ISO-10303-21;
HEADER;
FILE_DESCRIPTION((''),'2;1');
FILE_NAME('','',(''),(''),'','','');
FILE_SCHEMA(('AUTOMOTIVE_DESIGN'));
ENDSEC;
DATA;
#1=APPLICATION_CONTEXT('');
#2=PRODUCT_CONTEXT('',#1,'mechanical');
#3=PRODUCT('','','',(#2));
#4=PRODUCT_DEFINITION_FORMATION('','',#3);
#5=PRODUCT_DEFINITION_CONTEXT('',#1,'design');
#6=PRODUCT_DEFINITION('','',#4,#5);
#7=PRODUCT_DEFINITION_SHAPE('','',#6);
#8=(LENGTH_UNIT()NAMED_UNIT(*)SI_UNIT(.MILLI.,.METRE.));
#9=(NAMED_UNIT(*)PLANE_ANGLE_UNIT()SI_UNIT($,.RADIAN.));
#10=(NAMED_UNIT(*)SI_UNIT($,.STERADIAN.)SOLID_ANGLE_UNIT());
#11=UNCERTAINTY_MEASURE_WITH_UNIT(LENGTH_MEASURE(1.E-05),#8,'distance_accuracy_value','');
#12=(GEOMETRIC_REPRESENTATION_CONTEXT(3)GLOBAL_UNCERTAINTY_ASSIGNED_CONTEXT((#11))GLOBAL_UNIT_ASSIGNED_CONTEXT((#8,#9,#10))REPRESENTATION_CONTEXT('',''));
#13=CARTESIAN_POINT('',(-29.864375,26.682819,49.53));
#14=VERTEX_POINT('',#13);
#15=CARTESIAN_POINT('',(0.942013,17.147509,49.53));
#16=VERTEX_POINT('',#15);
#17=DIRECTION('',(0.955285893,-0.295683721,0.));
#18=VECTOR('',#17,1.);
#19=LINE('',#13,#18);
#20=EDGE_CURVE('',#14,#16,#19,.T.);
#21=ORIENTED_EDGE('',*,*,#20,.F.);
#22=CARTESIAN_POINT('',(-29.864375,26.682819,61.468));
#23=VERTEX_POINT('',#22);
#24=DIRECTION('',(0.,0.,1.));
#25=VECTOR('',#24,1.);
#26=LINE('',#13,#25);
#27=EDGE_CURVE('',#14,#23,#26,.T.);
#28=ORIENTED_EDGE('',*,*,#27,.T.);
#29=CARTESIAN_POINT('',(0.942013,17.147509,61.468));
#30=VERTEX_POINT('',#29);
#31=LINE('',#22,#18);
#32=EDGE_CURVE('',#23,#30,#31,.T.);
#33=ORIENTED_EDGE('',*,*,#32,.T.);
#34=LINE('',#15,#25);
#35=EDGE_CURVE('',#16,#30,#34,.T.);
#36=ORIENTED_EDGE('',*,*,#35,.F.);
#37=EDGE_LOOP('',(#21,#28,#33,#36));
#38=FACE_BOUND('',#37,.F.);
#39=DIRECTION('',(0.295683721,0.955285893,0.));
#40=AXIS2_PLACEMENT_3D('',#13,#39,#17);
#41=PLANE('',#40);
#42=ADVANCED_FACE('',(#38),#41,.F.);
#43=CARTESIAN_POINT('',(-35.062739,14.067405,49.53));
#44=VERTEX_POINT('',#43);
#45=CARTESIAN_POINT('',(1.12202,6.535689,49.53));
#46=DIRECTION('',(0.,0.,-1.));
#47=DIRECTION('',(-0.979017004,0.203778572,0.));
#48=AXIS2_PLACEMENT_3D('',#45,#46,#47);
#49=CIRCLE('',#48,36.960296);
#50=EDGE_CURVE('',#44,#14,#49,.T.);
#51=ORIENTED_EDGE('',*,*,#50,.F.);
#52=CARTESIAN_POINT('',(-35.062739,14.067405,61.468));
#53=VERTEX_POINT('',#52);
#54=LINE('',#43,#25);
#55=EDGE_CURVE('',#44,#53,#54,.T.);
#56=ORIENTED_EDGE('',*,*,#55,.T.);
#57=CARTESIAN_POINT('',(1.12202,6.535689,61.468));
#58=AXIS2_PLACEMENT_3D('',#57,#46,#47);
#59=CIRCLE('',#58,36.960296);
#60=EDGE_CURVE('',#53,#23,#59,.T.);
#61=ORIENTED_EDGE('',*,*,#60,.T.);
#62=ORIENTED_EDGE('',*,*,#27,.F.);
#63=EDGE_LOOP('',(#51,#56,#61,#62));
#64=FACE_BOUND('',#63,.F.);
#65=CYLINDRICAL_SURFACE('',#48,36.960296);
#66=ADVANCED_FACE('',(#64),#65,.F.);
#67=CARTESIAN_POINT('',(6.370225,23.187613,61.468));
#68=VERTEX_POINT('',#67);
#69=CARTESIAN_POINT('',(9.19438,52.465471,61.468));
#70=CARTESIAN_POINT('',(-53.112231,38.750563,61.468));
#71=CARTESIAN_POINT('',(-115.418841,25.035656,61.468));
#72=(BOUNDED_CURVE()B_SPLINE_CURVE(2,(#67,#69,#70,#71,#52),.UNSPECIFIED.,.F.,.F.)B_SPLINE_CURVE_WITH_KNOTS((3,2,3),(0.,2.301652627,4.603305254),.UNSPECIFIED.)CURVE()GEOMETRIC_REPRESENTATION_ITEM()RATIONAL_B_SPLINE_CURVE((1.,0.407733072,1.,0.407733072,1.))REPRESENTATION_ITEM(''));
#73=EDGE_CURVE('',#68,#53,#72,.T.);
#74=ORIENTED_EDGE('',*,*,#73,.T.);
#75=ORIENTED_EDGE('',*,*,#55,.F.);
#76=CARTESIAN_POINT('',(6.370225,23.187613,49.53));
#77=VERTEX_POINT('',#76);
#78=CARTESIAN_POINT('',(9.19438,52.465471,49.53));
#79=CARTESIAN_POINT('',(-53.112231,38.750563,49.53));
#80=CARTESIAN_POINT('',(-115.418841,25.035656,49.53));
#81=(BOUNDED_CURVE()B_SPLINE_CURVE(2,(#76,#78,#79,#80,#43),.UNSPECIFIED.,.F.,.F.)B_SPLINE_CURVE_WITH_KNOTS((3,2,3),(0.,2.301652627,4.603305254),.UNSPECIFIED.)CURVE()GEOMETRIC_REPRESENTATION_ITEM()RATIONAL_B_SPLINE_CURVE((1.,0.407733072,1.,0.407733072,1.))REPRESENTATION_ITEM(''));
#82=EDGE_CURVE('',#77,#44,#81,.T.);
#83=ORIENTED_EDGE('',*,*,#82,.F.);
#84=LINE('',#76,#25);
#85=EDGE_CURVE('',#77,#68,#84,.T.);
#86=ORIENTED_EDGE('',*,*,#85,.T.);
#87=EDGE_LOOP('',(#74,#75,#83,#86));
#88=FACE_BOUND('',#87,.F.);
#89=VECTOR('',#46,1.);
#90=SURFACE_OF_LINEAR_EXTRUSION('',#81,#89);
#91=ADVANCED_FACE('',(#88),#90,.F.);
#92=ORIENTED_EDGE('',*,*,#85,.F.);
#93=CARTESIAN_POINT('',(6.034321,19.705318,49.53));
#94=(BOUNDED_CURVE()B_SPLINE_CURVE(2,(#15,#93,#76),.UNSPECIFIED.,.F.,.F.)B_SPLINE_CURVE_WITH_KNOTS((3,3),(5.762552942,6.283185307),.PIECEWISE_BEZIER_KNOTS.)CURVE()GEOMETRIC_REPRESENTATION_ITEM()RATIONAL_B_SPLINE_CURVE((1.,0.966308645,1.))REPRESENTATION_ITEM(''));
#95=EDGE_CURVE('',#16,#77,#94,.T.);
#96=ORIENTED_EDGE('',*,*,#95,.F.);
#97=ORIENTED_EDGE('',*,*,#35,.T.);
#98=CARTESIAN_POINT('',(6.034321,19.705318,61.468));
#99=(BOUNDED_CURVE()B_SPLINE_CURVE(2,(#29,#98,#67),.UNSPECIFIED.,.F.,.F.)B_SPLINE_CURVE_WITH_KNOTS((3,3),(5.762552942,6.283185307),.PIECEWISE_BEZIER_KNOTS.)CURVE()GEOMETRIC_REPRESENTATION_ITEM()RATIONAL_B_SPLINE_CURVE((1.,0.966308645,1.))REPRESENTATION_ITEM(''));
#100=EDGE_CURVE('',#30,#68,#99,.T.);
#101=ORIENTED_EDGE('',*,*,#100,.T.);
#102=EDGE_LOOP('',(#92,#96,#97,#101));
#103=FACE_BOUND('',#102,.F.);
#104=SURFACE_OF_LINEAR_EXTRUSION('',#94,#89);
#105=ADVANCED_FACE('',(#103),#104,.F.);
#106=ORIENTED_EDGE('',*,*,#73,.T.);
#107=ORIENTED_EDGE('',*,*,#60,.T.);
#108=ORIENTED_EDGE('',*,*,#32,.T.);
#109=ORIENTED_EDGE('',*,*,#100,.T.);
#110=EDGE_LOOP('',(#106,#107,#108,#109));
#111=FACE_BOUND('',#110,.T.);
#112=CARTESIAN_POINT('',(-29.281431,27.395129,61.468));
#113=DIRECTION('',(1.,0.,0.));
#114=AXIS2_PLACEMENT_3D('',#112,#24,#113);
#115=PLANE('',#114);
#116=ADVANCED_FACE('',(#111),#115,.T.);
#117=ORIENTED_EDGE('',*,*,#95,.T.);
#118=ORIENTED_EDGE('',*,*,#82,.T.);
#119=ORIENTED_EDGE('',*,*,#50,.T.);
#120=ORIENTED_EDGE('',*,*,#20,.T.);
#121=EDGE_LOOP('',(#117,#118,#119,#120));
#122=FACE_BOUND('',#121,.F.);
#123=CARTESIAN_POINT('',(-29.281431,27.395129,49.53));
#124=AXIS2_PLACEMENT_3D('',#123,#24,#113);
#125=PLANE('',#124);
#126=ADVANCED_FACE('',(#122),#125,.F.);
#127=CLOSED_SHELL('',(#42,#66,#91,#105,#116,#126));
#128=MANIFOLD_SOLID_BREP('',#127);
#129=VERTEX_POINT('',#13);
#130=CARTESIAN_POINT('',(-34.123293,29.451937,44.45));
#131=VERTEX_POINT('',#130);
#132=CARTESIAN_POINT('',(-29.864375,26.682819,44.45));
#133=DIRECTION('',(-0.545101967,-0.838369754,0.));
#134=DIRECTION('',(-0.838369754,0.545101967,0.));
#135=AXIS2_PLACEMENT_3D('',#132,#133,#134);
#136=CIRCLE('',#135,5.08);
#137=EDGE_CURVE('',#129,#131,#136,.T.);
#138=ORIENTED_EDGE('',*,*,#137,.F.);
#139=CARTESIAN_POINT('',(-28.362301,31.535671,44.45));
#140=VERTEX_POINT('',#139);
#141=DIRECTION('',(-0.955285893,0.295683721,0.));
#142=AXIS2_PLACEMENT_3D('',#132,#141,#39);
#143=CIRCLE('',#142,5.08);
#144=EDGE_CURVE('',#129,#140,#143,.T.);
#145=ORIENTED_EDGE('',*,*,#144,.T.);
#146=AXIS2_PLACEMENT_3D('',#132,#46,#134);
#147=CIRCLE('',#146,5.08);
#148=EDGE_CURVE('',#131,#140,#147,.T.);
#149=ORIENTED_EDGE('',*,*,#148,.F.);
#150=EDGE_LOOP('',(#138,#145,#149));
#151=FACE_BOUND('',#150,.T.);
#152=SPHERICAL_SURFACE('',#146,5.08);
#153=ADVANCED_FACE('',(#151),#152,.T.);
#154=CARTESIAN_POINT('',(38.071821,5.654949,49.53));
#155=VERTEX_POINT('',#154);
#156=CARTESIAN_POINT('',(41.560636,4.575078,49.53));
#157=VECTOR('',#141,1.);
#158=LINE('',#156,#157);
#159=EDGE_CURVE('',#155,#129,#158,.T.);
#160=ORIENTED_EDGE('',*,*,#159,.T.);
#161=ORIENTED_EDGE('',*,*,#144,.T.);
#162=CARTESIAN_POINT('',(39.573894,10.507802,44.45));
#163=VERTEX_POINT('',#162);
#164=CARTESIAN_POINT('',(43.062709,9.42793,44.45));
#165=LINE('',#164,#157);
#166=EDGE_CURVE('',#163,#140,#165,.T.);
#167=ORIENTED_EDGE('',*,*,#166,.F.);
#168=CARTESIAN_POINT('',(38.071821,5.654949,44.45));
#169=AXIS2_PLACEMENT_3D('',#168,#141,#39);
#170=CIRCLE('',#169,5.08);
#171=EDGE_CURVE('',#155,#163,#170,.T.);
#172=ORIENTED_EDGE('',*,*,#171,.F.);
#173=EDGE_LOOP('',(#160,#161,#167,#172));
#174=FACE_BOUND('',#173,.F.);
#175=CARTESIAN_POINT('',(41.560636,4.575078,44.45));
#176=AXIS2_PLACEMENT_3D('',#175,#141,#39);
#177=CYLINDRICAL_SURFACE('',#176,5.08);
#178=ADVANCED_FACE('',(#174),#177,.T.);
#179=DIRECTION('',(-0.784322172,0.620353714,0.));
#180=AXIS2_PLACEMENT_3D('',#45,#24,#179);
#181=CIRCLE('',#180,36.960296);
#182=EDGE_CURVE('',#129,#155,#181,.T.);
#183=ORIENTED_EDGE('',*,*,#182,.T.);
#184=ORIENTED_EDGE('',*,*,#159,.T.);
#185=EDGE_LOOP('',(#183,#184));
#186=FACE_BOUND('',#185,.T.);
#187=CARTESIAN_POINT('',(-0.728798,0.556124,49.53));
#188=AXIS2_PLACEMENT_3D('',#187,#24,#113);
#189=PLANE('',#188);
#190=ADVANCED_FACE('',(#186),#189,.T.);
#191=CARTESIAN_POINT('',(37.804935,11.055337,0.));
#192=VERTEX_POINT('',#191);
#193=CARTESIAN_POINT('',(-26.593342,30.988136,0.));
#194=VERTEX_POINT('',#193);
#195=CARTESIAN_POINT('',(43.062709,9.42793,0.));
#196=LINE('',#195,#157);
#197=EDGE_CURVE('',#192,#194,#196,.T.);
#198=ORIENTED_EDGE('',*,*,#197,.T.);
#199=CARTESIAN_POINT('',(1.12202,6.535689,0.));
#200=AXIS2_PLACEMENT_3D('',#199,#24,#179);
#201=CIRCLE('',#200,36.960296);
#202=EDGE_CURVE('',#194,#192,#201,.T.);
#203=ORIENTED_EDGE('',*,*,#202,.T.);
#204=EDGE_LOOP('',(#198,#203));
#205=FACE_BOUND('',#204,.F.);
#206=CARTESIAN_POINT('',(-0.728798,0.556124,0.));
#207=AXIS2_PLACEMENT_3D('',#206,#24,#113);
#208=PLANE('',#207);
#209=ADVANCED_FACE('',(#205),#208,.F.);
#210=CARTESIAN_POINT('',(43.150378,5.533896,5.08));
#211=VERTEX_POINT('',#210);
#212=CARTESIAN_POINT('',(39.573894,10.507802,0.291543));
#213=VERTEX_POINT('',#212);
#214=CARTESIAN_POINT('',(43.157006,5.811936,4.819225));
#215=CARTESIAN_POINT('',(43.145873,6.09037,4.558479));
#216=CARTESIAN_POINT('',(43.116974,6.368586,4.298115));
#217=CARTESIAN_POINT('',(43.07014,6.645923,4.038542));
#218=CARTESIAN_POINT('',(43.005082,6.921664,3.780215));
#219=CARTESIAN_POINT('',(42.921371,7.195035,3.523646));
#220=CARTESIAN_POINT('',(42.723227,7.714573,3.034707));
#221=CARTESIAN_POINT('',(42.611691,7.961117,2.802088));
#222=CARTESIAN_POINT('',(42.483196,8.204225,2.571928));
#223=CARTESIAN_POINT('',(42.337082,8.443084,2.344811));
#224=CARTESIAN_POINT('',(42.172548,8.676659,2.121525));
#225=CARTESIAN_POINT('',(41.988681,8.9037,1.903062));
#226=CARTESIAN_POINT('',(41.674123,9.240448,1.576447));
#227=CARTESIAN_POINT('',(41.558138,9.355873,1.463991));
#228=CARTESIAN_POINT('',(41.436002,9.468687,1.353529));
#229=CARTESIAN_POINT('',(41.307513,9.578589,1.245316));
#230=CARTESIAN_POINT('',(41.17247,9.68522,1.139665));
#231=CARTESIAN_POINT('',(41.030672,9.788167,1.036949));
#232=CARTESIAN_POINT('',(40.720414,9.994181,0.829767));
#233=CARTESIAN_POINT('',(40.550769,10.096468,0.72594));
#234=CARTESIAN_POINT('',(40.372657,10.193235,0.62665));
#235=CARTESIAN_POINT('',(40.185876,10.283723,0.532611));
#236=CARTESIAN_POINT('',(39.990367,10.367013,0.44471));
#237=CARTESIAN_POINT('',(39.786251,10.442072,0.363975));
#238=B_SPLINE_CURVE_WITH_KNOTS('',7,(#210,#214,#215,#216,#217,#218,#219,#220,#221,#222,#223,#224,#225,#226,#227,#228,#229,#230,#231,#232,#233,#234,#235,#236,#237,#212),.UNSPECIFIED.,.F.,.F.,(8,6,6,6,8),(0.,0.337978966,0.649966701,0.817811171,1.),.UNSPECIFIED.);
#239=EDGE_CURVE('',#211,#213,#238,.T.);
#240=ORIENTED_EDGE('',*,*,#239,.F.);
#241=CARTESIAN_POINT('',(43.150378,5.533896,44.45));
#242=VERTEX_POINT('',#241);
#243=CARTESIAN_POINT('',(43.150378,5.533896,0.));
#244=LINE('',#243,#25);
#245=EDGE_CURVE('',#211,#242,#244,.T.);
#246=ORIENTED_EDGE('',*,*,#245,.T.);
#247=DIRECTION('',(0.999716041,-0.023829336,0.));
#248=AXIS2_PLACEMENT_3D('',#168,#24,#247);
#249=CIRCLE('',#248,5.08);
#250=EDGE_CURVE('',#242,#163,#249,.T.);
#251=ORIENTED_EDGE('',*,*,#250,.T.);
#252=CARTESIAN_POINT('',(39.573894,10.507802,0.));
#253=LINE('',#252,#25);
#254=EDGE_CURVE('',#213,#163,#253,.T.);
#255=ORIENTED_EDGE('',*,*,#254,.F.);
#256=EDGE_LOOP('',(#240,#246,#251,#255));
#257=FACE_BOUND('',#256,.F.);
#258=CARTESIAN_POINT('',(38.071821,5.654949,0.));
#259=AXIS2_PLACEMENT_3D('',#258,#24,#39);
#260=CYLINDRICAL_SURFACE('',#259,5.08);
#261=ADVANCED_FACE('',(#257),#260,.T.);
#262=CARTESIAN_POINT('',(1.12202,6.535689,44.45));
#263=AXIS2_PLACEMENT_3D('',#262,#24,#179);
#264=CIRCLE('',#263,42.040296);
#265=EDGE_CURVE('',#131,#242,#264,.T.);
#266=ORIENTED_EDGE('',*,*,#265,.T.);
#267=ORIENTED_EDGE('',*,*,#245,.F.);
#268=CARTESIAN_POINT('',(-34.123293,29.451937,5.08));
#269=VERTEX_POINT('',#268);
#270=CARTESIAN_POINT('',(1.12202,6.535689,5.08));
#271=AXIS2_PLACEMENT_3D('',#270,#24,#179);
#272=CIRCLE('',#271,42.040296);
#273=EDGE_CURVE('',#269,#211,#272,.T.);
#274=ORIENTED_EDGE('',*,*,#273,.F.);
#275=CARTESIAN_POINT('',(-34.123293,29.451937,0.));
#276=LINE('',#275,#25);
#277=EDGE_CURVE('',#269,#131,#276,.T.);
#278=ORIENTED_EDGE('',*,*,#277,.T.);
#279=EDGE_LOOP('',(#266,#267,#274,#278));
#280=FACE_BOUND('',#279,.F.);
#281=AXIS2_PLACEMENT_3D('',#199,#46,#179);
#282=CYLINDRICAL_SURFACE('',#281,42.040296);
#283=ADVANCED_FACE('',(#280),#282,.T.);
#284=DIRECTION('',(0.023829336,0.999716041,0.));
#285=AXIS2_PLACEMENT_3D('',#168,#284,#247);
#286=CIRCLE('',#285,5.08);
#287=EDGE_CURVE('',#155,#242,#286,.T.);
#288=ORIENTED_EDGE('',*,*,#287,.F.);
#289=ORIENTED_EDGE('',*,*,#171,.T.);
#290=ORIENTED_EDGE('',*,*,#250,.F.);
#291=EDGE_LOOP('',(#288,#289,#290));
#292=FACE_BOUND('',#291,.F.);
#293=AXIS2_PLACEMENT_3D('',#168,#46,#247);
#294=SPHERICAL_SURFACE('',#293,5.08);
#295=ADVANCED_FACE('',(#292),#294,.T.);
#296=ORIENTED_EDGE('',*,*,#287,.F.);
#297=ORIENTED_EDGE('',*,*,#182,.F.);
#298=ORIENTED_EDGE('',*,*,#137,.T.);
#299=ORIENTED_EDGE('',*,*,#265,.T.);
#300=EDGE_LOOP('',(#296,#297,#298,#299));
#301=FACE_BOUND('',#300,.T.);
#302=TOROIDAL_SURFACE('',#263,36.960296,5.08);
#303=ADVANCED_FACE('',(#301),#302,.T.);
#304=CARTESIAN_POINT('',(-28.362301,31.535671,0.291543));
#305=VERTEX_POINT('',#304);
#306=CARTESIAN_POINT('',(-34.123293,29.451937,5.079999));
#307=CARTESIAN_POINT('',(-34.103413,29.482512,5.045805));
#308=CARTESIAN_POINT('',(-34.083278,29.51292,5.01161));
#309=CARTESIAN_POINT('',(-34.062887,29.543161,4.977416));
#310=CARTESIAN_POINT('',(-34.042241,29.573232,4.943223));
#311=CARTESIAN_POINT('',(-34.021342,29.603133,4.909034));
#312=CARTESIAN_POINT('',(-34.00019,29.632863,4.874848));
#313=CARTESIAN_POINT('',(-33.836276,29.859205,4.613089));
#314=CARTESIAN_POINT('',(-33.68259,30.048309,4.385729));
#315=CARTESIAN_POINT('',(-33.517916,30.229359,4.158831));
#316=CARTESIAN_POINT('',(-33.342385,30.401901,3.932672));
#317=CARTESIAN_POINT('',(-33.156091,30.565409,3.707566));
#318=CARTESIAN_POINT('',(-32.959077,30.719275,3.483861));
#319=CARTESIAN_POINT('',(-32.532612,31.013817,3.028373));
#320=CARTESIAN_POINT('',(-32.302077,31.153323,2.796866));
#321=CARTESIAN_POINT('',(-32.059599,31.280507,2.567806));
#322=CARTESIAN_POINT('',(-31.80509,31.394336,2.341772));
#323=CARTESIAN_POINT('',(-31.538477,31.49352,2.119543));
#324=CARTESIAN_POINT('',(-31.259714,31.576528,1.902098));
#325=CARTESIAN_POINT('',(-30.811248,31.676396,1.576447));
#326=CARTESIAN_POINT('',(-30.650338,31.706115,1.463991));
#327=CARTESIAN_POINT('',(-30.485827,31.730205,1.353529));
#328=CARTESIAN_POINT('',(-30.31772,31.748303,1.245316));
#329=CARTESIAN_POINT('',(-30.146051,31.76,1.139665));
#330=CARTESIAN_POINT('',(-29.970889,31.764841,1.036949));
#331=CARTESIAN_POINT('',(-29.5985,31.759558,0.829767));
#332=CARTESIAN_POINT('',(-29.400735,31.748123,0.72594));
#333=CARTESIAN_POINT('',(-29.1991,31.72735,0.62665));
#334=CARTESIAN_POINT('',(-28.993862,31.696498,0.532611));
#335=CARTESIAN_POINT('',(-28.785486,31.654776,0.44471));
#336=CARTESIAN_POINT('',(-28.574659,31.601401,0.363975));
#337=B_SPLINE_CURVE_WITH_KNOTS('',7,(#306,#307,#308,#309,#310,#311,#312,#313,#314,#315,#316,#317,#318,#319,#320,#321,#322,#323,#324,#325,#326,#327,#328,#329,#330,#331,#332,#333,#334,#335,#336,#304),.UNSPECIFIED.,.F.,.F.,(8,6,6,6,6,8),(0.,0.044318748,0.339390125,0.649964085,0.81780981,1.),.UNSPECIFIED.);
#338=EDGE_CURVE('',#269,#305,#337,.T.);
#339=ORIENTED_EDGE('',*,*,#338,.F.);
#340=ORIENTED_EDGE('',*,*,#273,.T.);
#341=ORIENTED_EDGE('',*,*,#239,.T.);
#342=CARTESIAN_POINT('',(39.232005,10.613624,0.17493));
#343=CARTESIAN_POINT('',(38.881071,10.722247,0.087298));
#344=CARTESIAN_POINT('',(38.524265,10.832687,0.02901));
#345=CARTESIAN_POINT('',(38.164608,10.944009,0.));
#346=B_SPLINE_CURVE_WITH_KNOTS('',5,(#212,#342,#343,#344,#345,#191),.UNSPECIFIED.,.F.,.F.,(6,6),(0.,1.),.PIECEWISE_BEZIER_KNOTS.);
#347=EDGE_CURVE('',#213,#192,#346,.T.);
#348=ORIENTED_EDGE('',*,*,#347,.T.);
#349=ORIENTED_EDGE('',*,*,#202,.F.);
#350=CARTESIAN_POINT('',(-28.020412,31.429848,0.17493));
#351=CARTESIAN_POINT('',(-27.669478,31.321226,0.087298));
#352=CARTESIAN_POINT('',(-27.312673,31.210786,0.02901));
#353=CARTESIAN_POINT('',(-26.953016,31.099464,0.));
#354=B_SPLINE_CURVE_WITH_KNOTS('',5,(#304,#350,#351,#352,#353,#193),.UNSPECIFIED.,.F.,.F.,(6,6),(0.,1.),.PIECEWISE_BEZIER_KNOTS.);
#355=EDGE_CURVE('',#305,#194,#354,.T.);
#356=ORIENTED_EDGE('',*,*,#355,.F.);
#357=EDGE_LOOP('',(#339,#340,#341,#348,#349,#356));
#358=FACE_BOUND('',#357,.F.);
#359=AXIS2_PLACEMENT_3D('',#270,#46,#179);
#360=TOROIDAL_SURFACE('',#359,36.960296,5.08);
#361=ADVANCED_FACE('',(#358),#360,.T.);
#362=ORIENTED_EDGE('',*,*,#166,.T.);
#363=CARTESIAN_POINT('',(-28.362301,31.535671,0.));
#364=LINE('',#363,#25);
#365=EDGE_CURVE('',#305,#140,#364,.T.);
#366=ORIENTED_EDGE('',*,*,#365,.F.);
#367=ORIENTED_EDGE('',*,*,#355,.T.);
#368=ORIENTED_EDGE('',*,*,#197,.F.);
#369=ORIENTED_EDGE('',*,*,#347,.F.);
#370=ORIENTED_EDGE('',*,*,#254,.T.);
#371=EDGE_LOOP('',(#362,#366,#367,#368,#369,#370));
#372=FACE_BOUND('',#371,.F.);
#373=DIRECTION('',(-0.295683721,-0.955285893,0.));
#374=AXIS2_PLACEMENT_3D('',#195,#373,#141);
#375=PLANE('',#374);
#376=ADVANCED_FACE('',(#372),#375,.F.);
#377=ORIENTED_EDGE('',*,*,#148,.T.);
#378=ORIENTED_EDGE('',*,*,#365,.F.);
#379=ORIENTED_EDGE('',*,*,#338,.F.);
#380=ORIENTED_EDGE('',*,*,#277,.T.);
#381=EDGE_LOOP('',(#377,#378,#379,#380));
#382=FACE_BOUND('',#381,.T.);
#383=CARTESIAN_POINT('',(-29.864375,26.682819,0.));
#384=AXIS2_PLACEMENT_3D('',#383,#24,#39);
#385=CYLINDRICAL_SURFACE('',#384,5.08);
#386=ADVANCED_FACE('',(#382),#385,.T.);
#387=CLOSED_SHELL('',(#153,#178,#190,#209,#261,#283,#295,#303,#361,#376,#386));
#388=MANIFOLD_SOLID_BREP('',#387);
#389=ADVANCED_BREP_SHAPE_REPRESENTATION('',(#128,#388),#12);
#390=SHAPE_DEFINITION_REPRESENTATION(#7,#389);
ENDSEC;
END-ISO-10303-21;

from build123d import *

# Parameters (mm, degrees)
F1_DEPTH = 49.53
F2_R     = 5.08
F4_DEPTH = 11.938


with BuildPart() as f1:
    # F0 (on Top) → F1 (new body)
    with BuildSketch(Plane.XY):
        with BuildLine():
            Line((43.0627092719, 9.4279302284), (-31.8511165679, 32.6155424118))
            ThreePointArc((-31.8511165679, 32.6155424118), (-11.3086114149, -33.6248132086), (43.0627092719, 9.4279302284))
        make_face()
    extrude(amount=F1_DEPTH)

    # F2
    f2_edges = [f1.edges().sort_by_distance(p)[0] for p in [
        (-31.851117, 32.615542, 24.765),
        (43.062709, 9.42793, 24.765),
        (-11.308611, -33.624813, 0),
        (-11.308611, -33.624813, 49.53),
        (5.605796, 21.021736, 49.53),
    ]]
    fillet(f2_edges, radius=F2_R)


with BuildPart() as f4:
    # F3 (on face) → F4 (new body)
    with BuildSketch(Plane.XY.offset(49.53)):
        with BuildLine():
            add(Edge.make_bspline(
                [(0.9420125467, 17.1475086393), (6.034321274, 19.7053182027), (6.37022499, 23.1876131147)],
                knots=[5.7625529421, 5.7625529421, 5.7625529421, 6.2831853072, 6.2831853072, 6.2831853072], degree=2, weights=[1, 0.9663086455, 1]))
            add(Edge.make_bspline(
                [(6.37022499, 23.1876131147), (9.1943801366, 52.4654705209), (-53.1122305045, 38.7505630843), (-115.4188411457, 25.0356556478), (-35.0627385662, 14.0674049354)],
                knots=[0, 0, 0, 2.3016526269, 2.3016526269, 4.6033052537, 4.6033052537, 4.6033052537], degree=2, weights=[1, 0.4077330724, 1, 0.4077330724, 1]))
            ThreePointArc((-35.0627385662, 14.0674049354), (-33.0507486956, 20.6170728388), (-29.8643745853, 26.682818705))
            Line((-29.8643745853, 26.682818705), (0.9420125467, 17.1475086393))
        make_face()
    extrude(amount=F4_DEPTH)


solid = Compound([f1.part, f4.part])
